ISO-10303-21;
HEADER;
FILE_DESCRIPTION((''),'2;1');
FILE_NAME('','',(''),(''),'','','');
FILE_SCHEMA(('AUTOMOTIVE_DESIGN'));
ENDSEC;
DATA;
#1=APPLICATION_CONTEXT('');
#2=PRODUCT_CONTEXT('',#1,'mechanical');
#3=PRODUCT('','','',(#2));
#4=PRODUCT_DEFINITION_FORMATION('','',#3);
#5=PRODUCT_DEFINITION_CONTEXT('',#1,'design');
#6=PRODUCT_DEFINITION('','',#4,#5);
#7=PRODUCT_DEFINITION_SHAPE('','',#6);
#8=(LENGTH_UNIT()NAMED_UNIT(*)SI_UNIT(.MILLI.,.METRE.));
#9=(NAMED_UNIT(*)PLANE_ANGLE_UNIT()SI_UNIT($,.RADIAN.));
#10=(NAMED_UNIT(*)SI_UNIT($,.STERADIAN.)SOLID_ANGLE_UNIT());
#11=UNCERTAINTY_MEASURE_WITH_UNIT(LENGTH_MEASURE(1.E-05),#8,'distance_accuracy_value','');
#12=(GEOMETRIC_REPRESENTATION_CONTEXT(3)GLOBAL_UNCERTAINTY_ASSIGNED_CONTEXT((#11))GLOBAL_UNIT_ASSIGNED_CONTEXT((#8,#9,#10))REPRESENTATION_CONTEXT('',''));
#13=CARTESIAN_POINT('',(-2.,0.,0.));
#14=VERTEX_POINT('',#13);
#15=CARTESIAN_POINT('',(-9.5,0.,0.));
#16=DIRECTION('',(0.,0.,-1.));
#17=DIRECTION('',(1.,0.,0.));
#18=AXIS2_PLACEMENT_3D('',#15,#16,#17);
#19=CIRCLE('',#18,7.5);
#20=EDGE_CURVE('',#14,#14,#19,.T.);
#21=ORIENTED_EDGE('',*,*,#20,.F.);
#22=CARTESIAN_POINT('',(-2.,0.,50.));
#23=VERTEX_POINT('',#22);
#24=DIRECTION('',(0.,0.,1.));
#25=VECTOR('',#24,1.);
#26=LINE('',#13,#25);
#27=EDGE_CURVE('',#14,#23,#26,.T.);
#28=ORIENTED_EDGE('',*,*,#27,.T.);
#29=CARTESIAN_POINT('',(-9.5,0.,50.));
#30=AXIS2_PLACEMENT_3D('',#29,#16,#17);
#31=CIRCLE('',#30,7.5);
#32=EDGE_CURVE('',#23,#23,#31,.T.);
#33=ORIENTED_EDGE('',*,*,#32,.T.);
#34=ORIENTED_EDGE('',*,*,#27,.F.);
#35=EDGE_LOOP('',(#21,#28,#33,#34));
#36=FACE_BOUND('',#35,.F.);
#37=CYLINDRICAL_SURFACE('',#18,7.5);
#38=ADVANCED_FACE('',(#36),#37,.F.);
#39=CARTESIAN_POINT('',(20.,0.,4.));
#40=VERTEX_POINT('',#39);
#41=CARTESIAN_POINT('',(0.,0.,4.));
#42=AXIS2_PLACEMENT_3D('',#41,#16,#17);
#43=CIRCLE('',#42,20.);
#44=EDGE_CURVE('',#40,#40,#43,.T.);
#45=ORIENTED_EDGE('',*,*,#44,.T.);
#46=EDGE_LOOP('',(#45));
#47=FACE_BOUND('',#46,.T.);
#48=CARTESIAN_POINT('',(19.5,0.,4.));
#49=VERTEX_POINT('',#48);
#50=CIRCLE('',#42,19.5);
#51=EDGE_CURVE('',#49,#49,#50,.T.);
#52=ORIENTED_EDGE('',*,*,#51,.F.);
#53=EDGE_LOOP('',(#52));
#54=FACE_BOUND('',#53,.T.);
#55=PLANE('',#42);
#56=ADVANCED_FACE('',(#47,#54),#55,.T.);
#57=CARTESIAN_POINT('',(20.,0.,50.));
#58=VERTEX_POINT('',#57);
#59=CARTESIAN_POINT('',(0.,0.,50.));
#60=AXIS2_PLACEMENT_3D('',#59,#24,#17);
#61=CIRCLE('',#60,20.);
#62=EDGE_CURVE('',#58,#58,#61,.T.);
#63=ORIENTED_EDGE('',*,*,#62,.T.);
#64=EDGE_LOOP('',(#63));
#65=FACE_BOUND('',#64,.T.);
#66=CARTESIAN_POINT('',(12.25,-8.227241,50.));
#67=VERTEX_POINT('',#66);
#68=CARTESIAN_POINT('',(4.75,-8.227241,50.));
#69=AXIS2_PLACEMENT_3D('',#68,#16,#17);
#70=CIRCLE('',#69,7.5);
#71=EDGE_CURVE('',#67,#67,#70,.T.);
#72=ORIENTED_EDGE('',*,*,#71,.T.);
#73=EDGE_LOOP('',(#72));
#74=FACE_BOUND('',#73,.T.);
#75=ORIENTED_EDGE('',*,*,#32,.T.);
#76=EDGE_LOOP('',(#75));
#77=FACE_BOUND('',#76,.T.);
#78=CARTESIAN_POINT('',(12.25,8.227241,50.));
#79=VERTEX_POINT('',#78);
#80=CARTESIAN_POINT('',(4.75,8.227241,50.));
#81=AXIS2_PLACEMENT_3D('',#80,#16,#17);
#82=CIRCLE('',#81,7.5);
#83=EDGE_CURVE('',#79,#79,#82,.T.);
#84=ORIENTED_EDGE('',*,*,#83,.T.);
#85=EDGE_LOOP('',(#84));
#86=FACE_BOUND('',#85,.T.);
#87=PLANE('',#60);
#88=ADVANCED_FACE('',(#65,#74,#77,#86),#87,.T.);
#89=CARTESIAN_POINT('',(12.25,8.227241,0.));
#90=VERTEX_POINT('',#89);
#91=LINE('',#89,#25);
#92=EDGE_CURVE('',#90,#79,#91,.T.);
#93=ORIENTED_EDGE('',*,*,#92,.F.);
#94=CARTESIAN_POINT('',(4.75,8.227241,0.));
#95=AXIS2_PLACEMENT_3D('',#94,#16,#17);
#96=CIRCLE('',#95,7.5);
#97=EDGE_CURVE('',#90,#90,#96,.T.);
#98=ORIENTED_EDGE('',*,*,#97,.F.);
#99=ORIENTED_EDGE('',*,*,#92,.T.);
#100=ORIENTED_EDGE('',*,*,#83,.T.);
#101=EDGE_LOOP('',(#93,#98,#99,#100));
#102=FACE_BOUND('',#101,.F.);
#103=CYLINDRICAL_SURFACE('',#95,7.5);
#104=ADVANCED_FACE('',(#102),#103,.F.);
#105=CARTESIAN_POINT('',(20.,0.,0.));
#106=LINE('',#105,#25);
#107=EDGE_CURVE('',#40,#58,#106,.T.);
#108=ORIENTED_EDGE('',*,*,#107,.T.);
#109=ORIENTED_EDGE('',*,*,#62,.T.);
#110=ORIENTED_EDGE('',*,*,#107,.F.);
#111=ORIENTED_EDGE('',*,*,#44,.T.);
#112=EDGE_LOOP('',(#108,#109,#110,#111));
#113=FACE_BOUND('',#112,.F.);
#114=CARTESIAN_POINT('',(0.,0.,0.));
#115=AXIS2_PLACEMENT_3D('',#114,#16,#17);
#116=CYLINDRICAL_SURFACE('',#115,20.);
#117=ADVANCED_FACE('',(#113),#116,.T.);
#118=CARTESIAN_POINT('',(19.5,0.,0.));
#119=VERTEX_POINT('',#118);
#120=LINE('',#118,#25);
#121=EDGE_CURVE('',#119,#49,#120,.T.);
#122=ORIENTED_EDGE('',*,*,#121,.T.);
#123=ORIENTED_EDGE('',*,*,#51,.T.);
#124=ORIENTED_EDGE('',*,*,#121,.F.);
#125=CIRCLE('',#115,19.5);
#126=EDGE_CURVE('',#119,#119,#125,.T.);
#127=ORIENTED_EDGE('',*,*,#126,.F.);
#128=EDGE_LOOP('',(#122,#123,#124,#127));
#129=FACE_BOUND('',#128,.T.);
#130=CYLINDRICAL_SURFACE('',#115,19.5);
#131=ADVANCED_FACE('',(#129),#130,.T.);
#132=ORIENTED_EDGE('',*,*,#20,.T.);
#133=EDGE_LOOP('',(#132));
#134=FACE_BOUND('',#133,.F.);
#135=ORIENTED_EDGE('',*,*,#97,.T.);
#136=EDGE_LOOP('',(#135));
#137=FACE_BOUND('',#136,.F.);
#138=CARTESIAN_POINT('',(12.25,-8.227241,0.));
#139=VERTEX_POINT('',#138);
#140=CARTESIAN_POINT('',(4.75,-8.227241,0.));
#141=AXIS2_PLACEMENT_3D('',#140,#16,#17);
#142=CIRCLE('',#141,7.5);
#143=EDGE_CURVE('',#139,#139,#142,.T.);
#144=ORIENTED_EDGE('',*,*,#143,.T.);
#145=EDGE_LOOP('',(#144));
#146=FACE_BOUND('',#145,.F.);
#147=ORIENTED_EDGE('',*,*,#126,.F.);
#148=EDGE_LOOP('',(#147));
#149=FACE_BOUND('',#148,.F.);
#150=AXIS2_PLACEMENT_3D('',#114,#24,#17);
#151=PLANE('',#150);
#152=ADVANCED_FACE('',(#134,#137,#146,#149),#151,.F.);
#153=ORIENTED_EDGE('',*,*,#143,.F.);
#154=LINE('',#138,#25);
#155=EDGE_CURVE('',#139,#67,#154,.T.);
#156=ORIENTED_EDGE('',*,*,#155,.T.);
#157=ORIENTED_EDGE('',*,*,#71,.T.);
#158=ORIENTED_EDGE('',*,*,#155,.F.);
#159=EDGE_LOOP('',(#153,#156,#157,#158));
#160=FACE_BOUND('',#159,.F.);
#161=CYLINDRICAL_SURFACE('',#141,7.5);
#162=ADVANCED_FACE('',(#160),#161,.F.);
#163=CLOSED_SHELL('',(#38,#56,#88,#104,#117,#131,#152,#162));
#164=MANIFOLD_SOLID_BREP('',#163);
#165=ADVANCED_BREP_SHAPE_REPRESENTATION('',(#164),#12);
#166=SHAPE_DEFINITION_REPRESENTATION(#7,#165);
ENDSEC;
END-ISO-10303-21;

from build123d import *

# Parameters (mm, degrees)
F0_R     = 20
F1_DEPTH = 50
F2_R     = 7.5
F3_DEPTH = 50.001
F4_R     = 20
F4_R_2   = 19.5
F5_DEPTH = 4


with BuildPart() as f1:
    # F0 (on Top) → F1 (new body)
    with BuildSketch(Plane.XY):
        Circle(F0_R)
    extrude(amount=F1_DEPTH)

    # F2 (on face) → F3 (cut, through all)
    with BuildSketch(Plane(origin=(0, 0, 0), x_dir=(1, 0, 0), z_dir=(0, 0, -1))):
        with Locations((-9.5, 0)):
            Circle(F2_R)
        with Locations((4.75, -8.227241)):
            Circle(F2_R)
        with Locations((4.75, 8.227241)):
            Circle(F2_R)
    extrude(amount=-F3_DEPTH, mode=Mode.SUBTRACT)

    # F4 (on face) → F5 (cut)
    with BuildSketch(Plane(origin=(0, 0, 0), x_dir=(1, 0, 0), z_dir=(0, 0, -1))):
        Circle(F4_R)
        Circle(F4_R_2, mode=Mode.SUBTRACT)
    extrude(amount=-F5_DEPTH, mode=Mode.SUBTRACT)


solid = f1.part
